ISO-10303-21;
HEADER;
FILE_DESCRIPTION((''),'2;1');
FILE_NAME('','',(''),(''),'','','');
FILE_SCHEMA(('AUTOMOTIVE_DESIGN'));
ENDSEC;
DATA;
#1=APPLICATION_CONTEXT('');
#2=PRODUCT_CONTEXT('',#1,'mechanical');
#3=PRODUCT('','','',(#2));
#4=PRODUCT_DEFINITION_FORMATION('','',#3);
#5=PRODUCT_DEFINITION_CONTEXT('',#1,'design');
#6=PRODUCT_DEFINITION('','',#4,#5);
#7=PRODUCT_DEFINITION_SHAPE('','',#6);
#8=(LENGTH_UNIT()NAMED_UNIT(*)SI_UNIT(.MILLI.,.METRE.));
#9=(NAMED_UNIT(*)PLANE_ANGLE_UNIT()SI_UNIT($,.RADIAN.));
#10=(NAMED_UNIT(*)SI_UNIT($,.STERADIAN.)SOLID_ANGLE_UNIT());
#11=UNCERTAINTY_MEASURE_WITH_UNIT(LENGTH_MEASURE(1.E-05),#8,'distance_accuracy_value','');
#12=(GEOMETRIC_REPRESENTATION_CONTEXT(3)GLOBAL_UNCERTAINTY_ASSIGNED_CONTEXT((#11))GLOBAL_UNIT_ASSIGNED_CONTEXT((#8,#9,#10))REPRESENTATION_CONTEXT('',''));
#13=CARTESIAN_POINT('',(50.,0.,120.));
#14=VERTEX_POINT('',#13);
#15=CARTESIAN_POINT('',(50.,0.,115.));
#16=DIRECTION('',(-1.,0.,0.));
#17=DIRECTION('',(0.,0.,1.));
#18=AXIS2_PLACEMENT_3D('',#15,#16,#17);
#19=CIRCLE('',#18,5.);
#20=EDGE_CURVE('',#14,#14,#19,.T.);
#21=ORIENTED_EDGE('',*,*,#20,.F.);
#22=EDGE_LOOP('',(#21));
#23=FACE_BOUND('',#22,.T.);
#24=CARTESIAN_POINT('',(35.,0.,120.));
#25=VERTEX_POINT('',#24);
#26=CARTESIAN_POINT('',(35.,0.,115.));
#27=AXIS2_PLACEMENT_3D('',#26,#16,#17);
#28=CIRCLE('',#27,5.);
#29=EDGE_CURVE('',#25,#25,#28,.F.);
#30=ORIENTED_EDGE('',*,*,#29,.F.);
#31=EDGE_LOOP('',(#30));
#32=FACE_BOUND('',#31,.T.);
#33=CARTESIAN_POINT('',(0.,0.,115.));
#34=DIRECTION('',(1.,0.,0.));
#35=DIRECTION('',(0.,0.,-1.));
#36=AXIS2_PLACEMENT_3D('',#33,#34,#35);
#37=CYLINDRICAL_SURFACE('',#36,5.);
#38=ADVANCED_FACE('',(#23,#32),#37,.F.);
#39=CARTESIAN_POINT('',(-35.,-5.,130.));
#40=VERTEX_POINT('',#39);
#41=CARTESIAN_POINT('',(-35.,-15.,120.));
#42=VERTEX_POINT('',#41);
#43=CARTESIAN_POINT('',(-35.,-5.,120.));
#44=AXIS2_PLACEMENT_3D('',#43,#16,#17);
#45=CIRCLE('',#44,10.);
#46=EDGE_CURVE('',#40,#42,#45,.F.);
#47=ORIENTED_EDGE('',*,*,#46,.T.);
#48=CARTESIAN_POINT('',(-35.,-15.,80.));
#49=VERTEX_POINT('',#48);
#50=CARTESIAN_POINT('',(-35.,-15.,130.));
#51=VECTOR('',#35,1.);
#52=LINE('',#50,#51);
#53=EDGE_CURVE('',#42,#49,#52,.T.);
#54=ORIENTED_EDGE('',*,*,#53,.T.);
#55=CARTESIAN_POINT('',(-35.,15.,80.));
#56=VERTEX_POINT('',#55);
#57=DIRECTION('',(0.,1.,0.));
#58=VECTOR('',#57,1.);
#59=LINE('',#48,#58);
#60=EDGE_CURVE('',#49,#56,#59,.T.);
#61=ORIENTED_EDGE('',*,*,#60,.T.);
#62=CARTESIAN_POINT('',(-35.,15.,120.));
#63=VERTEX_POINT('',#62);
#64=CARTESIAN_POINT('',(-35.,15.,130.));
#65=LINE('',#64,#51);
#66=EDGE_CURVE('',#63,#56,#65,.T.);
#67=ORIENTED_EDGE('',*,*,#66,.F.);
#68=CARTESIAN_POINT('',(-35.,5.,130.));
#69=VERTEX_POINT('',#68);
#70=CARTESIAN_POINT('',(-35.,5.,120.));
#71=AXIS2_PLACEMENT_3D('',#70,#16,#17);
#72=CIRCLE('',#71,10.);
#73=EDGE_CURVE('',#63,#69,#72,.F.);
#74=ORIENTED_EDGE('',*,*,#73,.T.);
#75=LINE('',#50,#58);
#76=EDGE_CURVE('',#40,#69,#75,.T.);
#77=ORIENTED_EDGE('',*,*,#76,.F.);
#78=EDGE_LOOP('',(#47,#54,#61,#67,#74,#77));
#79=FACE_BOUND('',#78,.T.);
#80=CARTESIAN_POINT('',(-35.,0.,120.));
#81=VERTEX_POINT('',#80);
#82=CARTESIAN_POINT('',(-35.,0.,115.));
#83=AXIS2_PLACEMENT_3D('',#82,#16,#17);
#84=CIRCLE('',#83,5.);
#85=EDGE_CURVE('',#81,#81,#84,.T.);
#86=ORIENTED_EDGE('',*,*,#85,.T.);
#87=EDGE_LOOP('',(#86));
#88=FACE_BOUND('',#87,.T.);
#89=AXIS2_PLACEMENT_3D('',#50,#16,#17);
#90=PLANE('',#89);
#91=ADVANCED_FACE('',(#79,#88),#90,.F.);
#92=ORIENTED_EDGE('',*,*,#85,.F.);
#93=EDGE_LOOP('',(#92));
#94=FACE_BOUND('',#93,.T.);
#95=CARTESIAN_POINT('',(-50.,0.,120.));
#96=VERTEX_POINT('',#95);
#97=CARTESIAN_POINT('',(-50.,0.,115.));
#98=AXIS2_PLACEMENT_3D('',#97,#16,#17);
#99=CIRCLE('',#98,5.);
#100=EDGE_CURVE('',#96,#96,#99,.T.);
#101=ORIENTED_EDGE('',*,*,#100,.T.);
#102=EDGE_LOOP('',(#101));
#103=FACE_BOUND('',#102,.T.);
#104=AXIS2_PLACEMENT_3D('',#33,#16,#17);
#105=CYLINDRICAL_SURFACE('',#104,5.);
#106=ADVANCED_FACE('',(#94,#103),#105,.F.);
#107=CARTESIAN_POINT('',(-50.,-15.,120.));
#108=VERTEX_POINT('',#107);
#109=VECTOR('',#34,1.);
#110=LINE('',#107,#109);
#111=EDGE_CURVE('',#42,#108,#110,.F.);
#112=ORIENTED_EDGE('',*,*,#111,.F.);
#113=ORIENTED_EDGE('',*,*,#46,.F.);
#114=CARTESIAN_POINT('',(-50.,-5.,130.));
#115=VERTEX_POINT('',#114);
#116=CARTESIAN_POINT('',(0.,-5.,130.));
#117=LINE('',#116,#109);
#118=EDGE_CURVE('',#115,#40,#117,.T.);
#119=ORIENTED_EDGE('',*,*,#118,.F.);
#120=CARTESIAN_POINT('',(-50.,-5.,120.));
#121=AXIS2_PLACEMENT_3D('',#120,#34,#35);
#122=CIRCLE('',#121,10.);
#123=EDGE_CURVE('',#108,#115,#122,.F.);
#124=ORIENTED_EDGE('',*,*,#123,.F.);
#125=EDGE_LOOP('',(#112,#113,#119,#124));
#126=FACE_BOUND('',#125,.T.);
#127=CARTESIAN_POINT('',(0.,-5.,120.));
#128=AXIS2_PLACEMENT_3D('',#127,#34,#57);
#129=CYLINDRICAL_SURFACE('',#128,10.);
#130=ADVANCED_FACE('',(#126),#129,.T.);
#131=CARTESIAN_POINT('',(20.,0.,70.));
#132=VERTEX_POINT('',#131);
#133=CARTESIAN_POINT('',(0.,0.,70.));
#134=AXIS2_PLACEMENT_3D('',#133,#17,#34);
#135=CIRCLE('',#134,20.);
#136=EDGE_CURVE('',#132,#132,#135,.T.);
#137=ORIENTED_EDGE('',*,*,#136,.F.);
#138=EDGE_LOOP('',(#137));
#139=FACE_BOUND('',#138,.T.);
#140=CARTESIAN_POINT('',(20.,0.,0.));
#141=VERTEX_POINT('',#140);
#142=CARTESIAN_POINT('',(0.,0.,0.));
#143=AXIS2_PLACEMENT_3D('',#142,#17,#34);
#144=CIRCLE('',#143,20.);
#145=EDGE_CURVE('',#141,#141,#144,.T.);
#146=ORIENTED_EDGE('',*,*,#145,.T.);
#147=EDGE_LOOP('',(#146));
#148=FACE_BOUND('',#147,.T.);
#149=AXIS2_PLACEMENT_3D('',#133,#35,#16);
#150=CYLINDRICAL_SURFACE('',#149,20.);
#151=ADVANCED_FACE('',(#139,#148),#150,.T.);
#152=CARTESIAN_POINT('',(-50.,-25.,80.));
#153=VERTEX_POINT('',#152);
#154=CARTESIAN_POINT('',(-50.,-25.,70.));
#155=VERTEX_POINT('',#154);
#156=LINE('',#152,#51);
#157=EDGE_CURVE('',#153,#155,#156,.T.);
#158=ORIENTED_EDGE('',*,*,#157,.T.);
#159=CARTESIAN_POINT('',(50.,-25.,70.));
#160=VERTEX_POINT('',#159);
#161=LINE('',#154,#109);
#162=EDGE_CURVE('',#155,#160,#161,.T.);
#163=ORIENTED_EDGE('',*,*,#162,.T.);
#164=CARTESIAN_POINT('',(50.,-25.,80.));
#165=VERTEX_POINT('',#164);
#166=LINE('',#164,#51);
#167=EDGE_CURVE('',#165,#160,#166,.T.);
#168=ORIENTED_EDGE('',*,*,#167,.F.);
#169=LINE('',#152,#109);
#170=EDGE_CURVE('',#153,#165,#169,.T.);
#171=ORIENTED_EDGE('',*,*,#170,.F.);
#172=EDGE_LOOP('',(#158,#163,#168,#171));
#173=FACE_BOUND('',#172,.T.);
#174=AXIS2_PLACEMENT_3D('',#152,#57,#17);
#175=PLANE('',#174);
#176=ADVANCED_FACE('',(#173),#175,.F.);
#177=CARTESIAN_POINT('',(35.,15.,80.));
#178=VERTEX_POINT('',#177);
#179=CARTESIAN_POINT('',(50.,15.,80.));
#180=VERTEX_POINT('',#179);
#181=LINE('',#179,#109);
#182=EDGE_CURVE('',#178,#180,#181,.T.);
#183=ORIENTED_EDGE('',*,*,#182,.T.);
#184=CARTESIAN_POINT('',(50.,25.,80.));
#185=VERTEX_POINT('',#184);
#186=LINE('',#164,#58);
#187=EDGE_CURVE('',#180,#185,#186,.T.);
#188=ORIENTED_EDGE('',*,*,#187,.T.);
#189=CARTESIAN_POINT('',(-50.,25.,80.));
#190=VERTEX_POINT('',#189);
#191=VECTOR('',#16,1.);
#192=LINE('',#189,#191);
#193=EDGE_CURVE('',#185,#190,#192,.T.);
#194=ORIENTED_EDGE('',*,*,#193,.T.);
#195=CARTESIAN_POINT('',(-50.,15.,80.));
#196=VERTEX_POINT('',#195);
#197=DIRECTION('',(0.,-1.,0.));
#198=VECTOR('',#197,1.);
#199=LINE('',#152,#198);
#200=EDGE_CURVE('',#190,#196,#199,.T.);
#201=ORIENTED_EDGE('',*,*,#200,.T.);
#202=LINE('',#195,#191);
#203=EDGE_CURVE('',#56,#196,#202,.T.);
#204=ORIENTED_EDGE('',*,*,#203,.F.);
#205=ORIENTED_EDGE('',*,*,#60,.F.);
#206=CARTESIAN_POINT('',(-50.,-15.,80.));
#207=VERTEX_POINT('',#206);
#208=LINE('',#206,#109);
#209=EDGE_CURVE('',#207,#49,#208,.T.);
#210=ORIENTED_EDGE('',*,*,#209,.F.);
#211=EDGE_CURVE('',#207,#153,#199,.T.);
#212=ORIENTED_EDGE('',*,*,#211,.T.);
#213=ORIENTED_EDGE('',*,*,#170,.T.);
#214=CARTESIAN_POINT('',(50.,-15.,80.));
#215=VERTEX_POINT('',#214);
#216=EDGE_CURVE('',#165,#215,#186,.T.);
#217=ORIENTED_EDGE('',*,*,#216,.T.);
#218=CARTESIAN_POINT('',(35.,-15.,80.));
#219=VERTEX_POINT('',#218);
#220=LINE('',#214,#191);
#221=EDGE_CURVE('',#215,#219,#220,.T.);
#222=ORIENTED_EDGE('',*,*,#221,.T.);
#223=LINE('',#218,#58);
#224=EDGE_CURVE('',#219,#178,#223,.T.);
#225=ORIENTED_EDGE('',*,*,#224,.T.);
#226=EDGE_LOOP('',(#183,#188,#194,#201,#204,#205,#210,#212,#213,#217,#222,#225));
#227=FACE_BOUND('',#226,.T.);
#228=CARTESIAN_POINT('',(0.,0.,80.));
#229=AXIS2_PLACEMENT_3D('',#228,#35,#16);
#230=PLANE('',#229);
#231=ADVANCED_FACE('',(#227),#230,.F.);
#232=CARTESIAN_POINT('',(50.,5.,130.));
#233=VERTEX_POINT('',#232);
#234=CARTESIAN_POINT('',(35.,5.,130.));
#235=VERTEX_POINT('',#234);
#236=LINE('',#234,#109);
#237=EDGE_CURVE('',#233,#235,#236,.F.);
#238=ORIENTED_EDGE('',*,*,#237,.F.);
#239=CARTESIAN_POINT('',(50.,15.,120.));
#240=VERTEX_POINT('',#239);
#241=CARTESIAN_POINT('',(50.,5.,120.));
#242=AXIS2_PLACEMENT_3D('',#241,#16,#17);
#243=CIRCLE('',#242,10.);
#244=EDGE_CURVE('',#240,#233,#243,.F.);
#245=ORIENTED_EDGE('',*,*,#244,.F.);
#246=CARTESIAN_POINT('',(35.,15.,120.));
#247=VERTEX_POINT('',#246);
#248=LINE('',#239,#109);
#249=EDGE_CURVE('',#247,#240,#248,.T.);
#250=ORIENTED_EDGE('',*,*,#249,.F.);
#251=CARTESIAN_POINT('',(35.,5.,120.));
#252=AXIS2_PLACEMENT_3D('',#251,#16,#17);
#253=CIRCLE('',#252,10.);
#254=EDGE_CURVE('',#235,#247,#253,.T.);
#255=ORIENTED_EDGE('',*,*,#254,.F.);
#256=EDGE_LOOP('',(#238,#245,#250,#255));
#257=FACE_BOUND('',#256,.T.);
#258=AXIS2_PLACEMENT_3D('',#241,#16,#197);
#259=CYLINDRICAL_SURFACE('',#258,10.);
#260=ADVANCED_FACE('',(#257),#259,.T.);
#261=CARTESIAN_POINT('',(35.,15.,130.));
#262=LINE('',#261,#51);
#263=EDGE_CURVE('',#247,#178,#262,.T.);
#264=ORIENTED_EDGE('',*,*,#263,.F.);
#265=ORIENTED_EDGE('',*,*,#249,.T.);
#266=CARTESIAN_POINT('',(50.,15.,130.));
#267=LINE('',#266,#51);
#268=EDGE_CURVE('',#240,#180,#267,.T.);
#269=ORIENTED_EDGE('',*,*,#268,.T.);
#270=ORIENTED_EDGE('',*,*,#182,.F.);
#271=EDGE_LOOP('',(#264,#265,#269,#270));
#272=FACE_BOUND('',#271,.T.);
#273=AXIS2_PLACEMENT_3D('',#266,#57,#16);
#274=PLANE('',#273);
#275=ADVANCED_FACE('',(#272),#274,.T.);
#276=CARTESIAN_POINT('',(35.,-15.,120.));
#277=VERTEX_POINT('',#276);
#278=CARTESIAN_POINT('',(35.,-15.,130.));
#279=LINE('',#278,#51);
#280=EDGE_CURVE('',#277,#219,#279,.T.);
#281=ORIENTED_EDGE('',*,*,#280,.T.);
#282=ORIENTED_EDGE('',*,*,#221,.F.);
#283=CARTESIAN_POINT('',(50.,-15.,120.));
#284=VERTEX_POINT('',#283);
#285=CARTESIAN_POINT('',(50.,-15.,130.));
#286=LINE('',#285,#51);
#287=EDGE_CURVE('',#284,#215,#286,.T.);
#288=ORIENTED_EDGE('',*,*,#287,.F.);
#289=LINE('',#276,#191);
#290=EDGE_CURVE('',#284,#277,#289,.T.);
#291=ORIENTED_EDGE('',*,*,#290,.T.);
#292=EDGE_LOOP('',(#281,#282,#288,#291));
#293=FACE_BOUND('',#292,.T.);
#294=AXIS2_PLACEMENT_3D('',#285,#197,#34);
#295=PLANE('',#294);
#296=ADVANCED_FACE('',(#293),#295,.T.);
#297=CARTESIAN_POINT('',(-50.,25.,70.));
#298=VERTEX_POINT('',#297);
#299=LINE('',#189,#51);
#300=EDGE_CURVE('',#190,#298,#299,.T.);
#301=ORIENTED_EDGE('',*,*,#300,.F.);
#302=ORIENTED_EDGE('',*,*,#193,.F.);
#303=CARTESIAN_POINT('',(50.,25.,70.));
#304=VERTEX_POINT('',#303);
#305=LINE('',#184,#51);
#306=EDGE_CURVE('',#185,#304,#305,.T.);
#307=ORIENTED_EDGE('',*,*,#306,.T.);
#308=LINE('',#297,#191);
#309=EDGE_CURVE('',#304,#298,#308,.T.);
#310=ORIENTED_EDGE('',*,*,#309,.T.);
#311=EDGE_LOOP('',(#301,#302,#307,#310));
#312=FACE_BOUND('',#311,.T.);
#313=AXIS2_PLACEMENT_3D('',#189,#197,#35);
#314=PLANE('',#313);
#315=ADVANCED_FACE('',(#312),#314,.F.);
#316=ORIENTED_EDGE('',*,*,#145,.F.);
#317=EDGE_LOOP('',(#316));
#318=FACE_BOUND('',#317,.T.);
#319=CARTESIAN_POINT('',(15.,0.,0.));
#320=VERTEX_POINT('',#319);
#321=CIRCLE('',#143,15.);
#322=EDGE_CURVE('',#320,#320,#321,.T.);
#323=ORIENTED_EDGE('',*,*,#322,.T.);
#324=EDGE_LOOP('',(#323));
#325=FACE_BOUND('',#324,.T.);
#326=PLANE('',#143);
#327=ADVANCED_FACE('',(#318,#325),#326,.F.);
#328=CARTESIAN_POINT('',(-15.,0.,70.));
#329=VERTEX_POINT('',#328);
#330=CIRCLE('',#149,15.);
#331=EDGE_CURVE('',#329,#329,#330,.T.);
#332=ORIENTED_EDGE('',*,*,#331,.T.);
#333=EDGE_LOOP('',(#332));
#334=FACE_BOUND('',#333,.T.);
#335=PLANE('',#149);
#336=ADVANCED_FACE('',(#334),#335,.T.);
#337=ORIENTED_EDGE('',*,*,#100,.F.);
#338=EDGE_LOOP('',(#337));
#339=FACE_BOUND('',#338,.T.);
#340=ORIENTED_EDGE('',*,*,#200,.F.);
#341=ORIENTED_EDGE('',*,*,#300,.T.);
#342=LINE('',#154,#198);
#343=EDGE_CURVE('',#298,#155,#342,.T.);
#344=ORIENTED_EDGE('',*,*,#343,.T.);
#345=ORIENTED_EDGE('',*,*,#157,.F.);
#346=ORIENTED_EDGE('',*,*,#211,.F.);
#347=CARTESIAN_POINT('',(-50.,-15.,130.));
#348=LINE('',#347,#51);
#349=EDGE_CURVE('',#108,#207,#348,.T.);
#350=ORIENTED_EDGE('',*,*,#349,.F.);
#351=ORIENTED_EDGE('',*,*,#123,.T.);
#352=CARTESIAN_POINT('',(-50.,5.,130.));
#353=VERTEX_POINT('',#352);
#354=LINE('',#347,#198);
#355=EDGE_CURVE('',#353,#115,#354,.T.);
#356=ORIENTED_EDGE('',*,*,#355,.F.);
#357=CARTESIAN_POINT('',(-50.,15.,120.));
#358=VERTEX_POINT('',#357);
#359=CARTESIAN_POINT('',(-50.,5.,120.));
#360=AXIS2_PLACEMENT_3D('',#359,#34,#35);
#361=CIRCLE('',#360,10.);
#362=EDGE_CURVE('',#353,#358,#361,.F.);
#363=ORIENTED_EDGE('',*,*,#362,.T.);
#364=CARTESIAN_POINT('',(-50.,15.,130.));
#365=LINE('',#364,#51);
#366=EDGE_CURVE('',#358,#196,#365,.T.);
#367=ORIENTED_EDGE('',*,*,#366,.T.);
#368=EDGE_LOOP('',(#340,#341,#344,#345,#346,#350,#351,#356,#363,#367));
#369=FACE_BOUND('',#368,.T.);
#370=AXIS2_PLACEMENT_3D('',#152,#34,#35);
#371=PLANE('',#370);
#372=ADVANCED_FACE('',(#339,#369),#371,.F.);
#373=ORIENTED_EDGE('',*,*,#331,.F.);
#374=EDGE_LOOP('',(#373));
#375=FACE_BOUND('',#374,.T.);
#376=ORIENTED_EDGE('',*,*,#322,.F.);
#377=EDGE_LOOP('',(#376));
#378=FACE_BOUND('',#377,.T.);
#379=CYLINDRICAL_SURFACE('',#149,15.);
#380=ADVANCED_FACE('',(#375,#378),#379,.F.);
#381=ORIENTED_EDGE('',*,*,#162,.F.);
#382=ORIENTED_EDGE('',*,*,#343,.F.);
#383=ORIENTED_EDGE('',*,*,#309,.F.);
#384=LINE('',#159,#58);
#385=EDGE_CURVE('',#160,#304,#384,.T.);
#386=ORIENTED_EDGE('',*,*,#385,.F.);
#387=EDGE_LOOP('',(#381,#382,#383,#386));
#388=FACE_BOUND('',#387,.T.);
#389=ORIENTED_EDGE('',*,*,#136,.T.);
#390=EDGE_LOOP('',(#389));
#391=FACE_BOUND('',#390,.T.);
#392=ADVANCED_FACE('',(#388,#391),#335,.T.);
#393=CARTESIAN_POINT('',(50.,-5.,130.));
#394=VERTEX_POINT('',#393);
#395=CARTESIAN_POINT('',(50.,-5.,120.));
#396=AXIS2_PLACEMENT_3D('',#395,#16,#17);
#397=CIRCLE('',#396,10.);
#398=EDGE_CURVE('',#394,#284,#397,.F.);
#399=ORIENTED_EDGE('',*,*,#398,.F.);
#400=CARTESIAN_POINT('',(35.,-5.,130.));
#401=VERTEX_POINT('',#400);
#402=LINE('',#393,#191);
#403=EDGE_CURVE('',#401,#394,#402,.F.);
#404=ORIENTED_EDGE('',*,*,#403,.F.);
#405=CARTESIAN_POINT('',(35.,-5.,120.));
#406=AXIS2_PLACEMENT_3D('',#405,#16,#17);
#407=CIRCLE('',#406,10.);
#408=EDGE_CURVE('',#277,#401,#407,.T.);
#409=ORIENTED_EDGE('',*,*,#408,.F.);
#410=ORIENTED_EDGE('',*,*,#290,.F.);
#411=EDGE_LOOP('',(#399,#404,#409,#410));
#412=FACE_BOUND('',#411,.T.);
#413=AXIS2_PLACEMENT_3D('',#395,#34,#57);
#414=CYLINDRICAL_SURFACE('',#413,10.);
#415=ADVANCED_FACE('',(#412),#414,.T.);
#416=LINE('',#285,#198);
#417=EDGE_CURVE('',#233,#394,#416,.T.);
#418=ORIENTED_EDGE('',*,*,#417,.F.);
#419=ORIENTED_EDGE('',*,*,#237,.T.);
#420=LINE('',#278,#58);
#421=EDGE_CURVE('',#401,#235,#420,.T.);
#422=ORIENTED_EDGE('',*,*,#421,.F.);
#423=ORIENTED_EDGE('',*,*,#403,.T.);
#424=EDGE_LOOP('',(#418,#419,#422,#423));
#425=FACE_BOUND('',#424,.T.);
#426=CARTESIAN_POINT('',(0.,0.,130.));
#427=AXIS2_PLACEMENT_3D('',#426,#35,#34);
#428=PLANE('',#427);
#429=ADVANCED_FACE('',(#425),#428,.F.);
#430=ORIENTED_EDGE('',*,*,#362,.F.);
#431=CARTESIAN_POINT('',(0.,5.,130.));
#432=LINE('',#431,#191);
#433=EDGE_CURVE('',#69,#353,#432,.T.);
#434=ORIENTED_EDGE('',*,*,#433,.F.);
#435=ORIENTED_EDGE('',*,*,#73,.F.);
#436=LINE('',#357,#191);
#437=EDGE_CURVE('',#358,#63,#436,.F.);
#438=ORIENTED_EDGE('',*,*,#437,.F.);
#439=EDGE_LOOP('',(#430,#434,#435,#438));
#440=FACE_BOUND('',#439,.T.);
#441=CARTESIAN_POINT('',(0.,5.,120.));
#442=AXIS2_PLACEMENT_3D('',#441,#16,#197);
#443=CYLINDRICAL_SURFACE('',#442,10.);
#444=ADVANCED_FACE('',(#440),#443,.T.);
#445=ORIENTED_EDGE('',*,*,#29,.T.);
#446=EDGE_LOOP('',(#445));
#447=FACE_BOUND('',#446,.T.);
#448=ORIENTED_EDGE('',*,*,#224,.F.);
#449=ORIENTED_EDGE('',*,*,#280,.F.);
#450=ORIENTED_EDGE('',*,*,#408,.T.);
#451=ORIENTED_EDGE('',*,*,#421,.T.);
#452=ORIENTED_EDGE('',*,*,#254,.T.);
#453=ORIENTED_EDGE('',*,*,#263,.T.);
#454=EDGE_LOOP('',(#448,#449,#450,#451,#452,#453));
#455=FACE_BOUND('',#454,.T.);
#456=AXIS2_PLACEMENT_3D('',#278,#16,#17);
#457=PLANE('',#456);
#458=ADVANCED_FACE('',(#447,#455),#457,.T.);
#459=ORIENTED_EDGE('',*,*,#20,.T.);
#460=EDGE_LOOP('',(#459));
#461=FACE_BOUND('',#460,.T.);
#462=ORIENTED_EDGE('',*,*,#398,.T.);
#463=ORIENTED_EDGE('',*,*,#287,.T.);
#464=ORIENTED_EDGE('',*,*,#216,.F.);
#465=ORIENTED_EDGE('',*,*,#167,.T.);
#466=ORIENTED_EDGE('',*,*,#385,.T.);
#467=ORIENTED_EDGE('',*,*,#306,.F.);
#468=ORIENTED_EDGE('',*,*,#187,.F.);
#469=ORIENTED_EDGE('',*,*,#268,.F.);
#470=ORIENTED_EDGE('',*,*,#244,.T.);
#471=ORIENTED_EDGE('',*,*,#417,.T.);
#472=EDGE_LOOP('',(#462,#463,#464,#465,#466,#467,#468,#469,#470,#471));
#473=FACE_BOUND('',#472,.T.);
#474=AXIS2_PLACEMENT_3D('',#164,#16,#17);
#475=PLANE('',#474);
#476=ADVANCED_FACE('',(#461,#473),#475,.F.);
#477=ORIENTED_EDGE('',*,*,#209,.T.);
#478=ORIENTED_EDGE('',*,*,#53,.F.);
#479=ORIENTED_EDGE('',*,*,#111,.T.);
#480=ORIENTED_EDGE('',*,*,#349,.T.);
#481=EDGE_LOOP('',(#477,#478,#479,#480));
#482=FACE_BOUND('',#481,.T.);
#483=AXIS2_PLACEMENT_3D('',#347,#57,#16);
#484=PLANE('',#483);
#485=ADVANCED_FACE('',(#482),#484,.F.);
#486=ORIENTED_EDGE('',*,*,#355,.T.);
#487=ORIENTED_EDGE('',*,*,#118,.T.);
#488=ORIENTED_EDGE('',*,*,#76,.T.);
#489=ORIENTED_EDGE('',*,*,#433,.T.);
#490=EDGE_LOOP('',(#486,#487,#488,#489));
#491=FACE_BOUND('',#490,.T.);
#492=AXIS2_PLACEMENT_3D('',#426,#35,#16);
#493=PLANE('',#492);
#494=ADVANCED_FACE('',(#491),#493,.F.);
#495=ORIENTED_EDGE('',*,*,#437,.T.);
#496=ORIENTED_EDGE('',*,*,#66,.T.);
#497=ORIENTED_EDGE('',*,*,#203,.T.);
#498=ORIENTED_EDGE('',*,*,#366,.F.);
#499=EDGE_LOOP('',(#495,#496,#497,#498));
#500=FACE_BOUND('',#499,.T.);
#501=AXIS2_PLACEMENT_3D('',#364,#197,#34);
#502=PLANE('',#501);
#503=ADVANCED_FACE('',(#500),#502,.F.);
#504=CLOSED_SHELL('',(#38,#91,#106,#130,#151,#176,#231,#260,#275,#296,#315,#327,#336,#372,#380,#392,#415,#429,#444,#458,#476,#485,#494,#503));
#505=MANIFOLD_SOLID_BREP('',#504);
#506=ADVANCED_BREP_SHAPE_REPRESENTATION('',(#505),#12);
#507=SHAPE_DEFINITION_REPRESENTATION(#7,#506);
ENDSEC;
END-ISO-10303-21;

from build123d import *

# Parameters (mm, degrees)
SKETCH_1_R             = 20
SKETCH_1_R_2           = 15
EXTRUDE_1_DEPTH        = 70
SKETCH_2_W             = 100
SKETCH_2_H             = 50
EXTRUDE_2_DEPTH        = 10
SKETCH_3_W             = 15
SKETCH_3_H             = 30
EXTRUDE_3_DEPTH        = 50
FILLET_1_R             = 10
SKETCH_4_R             = 5
CUT_EXTRUDE_1_DEPTH    = 50
FILLET_1_OF_MIRROR_2_R = 10


with BuildPart() as part:
    # Эскиз1 → Бобышка-Вытянуть1 (new body)
    with BuildSketch(Plane.XY):
        Circle(SKETCH_1_R)
        Circle(SKETCH_1_R_2, mode=Mode.SUBTRACT)
    extrude(amount=EXTRUDE_1_DEPTH)

    # Эскиз2 → Бобышка-Вытянуть2 (add)
    with BuildSketch(Plane.XY.offset(70)):
        Rectangle(SKETCH_2_W, SKETCH_2_H)
    extrude(amount=EXTRUDE_2_DEPTH)

    # Эскиз3 → Бобышка-Вытянуть3 (add)
    with BuildSketch(Plane.XY.offset(80)):
        with Locations((-42.5, 0)):
            Rectangle(SKETCH_3_W, SKETCH_3_H)
    extrude_3 = extrude(amount=EXTRUDE_3_DEPTH)

    # Скругление1
    fillet_1_edges = [part.edges().sort_by_distance(p)[0] for p in [
        (-42.5, 15, 130),
        (-42.5, -15, 130),
    ]]
    fillet(fillet_1_edges, radius=FILLET_1_R)

    # Эскиз4 → Вырез-Вытянуть1 (cut)
    with BuildSketch(Plane.ZY.offset(50)):
        with Locations((115, 0)):
            Circle(SKETCH_4_R)
    cut_extrude_1 = extrude(amount=-CUT_EXTRUDE_1_DEPTH, mode=Mode.SUBTRACT)

    # Зеркальное отражение2: Бобышка-Вытянуть3, Вырез-Вытянуть1 across plane
    add(extrude_3.mirror(Plane(origin=(0, 0, 0), x_dir=(0, 0, 1), z_dir=(1, 0, 0))))
    add(cut_extrude_1.mirror(Plane(origin=(0, 0, 0), x_dir=(0, 0, 1), z_dir=(1, 0, 0))), mode=Mode.SUBTRACT)

    # Скругление1 of Зеркальное отражение2
    fillet_1_of_mirror_2_edges = [part.edges().sort_by_distance(p)[0] for p in [
        (42.5, 15, 130),
        (42.5, -15, 130),
    ]]
    fillet(fillet_1_of_mirror_2_edges, radius=FILLET_1_OF_MIRROR_2_R)


solid = part.part
